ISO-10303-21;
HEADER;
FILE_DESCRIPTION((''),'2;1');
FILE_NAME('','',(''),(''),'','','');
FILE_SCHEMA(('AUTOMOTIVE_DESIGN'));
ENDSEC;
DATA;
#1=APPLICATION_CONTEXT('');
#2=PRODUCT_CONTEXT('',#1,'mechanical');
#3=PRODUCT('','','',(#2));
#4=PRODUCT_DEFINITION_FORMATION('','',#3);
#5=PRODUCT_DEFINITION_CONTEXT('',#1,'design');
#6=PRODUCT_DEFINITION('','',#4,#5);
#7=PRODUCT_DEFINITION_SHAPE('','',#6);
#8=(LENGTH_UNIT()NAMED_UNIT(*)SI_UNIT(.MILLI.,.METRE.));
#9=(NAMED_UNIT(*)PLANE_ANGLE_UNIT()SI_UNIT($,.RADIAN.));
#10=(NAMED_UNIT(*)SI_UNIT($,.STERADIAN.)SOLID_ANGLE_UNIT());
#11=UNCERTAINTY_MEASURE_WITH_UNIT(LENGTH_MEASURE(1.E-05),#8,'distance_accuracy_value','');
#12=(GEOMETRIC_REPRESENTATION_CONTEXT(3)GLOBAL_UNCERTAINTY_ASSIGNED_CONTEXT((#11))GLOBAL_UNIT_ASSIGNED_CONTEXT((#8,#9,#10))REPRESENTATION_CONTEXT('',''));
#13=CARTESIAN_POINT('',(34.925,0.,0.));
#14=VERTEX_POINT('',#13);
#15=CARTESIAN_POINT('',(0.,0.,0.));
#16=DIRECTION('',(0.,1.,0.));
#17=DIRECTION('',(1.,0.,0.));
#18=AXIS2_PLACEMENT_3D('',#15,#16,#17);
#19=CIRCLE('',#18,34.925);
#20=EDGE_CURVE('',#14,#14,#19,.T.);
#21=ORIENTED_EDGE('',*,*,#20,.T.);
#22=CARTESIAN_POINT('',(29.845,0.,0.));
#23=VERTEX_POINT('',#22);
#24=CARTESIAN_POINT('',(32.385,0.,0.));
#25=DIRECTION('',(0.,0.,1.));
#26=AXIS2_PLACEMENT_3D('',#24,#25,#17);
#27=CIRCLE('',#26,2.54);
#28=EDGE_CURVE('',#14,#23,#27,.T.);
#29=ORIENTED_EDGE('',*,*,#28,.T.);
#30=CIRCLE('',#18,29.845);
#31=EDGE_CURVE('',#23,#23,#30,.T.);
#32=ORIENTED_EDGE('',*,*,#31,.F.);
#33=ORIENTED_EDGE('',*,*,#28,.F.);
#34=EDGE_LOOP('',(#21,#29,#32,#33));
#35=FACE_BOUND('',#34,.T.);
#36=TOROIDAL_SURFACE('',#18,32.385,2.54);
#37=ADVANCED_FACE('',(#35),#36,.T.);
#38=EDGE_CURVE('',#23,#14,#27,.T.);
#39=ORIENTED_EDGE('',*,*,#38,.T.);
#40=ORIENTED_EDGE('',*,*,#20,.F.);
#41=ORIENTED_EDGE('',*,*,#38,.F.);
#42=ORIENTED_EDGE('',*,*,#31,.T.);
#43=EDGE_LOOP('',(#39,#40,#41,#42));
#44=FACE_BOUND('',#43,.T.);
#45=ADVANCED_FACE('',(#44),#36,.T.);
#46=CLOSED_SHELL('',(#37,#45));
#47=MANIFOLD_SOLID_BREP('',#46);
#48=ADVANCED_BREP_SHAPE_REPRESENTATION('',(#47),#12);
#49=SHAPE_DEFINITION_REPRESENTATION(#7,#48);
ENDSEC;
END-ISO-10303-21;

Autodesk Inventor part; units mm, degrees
ref_plane "YZ Plane" through (0, 0, 0) normal (1, 0, 0) x (0, 1, 0)
ref_plane "XZ Plane" through (0, 0, 0) normal (0, 1, 0) x (-1, 0, 0)
ref_plane "XY Plane" through (0, 0, 0) normal (0, 0, 1) x (1, 0, 0)
sketch "Sketch2" plane through (0, 0, 0) normal (0, 0, 1) x (1, 0, 0)
  line L0 (0, 0) -> (32.385, 0)
  circle A0 centre (32.385, 0) radius 2.54
  line L1 (0, -3.556) -> (0, 3.556) projected
  dimension "d0" = 32.385
  dimension "d1" = 5.08
revolve "Revolution1" add sketch "Sketch2" angle 360 about axis through (0, -10, 0) along (0, 1, 0)
properties part number "oringsmall" material "Rubber, Silicone"
